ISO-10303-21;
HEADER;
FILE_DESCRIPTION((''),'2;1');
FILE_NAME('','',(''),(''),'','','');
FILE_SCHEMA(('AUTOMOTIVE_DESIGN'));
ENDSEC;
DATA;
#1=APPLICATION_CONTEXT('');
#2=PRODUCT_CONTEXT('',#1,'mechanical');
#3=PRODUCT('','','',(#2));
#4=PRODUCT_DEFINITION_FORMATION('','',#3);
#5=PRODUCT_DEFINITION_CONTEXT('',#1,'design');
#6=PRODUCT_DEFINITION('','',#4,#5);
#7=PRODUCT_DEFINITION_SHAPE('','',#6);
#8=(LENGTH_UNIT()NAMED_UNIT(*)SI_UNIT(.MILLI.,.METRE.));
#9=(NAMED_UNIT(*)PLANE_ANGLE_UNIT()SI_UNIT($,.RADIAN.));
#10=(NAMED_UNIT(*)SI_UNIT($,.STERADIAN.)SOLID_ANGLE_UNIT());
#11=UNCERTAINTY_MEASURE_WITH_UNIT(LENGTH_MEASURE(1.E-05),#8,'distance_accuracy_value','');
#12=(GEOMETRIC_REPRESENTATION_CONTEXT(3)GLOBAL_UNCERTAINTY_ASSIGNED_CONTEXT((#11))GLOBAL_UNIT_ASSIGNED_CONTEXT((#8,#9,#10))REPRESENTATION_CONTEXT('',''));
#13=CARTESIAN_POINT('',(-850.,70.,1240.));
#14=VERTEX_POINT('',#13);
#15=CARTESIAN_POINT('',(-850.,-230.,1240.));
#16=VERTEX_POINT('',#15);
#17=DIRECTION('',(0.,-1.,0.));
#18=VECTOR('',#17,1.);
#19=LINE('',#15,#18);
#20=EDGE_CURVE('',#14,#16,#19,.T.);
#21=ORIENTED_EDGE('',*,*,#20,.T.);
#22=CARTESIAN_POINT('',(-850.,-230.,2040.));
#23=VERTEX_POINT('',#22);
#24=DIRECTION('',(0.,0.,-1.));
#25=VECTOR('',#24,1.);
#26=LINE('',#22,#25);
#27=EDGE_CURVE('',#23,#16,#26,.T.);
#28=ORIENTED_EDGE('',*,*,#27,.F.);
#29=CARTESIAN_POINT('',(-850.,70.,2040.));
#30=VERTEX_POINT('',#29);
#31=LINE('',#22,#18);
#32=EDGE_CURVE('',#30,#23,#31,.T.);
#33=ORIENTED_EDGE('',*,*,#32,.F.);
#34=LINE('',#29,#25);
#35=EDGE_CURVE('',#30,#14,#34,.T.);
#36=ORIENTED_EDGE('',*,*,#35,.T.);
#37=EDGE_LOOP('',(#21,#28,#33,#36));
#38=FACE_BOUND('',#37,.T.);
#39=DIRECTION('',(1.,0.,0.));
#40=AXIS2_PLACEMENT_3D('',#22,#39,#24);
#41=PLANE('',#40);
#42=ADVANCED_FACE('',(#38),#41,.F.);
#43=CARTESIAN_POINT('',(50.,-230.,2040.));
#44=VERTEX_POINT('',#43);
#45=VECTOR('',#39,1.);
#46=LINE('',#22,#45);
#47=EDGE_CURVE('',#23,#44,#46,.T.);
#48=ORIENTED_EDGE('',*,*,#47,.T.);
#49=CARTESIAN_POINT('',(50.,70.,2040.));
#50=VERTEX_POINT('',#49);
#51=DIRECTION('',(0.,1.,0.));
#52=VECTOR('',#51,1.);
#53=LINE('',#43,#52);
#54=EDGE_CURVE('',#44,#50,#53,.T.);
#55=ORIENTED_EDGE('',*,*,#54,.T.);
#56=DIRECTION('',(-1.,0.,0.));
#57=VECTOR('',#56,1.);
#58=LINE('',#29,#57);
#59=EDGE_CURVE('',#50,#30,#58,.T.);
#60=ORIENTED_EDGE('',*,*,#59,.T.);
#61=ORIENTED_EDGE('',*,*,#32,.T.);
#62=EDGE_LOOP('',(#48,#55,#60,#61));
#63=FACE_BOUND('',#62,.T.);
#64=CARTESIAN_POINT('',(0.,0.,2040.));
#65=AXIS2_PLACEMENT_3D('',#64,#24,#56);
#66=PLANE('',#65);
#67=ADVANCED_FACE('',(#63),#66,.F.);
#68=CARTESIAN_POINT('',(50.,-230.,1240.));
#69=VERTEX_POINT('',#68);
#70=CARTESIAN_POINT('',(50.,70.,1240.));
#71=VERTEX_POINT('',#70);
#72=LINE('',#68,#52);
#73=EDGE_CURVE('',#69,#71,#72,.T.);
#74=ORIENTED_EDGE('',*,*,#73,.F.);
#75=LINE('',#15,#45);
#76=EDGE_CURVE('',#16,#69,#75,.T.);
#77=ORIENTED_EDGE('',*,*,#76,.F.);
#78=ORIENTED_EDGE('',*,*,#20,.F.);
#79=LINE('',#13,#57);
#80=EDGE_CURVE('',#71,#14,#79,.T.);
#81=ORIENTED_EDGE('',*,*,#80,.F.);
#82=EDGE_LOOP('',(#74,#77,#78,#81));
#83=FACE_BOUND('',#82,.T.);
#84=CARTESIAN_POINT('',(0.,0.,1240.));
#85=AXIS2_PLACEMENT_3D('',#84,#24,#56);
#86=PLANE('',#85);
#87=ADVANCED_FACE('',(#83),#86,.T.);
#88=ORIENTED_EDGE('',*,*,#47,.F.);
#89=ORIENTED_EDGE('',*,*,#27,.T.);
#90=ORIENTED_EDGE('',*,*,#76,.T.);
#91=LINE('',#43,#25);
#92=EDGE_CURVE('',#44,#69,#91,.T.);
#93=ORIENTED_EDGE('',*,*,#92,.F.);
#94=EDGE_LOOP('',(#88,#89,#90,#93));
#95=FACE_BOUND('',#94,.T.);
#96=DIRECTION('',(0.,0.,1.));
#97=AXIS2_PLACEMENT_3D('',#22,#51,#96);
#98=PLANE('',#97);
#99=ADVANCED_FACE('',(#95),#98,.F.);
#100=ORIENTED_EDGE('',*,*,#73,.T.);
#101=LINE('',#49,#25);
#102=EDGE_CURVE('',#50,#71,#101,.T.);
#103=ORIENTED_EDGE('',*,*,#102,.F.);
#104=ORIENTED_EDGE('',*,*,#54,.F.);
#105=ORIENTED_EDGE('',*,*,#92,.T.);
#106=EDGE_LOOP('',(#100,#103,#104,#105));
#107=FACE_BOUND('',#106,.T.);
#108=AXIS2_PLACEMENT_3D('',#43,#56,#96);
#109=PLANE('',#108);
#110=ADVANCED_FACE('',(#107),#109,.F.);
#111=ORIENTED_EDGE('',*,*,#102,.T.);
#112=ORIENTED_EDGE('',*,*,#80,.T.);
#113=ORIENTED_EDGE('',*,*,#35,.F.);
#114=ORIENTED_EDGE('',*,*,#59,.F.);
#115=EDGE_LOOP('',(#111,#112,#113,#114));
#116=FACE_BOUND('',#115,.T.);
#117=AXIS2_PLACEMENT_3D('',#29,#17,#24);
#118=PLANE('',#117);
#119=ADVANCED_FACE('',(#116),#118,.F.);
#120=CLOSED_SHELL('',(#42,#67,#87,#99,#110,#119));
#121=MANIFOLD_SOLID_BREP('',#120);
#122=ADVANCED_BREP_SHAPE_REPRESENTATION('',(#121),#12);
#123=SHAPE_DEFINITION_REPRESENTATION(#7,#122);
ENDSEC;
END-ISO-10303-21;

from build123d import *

# Parameters (mm, degrees)
BOSS_EXTRUDE1_START = 1240
SKETCH1_W           = 900
SKETCH1_H           = 300
BOSS_EXTRUDE1_DEPTH = 800


with BuildPart() as part:
    # Sketch1 → Boss-Extrude1 (new body)
    with BuildSketch(Plane.XY.offset(BOSS_EXTRUDE1_START)):
        with Locations((-400, -80)):
            Rectangle(SKETCH1_W, SKETCH1_H)
    extrude(amount=BOSS_EXTRUDE1_DEPTH)


solid = part.part
